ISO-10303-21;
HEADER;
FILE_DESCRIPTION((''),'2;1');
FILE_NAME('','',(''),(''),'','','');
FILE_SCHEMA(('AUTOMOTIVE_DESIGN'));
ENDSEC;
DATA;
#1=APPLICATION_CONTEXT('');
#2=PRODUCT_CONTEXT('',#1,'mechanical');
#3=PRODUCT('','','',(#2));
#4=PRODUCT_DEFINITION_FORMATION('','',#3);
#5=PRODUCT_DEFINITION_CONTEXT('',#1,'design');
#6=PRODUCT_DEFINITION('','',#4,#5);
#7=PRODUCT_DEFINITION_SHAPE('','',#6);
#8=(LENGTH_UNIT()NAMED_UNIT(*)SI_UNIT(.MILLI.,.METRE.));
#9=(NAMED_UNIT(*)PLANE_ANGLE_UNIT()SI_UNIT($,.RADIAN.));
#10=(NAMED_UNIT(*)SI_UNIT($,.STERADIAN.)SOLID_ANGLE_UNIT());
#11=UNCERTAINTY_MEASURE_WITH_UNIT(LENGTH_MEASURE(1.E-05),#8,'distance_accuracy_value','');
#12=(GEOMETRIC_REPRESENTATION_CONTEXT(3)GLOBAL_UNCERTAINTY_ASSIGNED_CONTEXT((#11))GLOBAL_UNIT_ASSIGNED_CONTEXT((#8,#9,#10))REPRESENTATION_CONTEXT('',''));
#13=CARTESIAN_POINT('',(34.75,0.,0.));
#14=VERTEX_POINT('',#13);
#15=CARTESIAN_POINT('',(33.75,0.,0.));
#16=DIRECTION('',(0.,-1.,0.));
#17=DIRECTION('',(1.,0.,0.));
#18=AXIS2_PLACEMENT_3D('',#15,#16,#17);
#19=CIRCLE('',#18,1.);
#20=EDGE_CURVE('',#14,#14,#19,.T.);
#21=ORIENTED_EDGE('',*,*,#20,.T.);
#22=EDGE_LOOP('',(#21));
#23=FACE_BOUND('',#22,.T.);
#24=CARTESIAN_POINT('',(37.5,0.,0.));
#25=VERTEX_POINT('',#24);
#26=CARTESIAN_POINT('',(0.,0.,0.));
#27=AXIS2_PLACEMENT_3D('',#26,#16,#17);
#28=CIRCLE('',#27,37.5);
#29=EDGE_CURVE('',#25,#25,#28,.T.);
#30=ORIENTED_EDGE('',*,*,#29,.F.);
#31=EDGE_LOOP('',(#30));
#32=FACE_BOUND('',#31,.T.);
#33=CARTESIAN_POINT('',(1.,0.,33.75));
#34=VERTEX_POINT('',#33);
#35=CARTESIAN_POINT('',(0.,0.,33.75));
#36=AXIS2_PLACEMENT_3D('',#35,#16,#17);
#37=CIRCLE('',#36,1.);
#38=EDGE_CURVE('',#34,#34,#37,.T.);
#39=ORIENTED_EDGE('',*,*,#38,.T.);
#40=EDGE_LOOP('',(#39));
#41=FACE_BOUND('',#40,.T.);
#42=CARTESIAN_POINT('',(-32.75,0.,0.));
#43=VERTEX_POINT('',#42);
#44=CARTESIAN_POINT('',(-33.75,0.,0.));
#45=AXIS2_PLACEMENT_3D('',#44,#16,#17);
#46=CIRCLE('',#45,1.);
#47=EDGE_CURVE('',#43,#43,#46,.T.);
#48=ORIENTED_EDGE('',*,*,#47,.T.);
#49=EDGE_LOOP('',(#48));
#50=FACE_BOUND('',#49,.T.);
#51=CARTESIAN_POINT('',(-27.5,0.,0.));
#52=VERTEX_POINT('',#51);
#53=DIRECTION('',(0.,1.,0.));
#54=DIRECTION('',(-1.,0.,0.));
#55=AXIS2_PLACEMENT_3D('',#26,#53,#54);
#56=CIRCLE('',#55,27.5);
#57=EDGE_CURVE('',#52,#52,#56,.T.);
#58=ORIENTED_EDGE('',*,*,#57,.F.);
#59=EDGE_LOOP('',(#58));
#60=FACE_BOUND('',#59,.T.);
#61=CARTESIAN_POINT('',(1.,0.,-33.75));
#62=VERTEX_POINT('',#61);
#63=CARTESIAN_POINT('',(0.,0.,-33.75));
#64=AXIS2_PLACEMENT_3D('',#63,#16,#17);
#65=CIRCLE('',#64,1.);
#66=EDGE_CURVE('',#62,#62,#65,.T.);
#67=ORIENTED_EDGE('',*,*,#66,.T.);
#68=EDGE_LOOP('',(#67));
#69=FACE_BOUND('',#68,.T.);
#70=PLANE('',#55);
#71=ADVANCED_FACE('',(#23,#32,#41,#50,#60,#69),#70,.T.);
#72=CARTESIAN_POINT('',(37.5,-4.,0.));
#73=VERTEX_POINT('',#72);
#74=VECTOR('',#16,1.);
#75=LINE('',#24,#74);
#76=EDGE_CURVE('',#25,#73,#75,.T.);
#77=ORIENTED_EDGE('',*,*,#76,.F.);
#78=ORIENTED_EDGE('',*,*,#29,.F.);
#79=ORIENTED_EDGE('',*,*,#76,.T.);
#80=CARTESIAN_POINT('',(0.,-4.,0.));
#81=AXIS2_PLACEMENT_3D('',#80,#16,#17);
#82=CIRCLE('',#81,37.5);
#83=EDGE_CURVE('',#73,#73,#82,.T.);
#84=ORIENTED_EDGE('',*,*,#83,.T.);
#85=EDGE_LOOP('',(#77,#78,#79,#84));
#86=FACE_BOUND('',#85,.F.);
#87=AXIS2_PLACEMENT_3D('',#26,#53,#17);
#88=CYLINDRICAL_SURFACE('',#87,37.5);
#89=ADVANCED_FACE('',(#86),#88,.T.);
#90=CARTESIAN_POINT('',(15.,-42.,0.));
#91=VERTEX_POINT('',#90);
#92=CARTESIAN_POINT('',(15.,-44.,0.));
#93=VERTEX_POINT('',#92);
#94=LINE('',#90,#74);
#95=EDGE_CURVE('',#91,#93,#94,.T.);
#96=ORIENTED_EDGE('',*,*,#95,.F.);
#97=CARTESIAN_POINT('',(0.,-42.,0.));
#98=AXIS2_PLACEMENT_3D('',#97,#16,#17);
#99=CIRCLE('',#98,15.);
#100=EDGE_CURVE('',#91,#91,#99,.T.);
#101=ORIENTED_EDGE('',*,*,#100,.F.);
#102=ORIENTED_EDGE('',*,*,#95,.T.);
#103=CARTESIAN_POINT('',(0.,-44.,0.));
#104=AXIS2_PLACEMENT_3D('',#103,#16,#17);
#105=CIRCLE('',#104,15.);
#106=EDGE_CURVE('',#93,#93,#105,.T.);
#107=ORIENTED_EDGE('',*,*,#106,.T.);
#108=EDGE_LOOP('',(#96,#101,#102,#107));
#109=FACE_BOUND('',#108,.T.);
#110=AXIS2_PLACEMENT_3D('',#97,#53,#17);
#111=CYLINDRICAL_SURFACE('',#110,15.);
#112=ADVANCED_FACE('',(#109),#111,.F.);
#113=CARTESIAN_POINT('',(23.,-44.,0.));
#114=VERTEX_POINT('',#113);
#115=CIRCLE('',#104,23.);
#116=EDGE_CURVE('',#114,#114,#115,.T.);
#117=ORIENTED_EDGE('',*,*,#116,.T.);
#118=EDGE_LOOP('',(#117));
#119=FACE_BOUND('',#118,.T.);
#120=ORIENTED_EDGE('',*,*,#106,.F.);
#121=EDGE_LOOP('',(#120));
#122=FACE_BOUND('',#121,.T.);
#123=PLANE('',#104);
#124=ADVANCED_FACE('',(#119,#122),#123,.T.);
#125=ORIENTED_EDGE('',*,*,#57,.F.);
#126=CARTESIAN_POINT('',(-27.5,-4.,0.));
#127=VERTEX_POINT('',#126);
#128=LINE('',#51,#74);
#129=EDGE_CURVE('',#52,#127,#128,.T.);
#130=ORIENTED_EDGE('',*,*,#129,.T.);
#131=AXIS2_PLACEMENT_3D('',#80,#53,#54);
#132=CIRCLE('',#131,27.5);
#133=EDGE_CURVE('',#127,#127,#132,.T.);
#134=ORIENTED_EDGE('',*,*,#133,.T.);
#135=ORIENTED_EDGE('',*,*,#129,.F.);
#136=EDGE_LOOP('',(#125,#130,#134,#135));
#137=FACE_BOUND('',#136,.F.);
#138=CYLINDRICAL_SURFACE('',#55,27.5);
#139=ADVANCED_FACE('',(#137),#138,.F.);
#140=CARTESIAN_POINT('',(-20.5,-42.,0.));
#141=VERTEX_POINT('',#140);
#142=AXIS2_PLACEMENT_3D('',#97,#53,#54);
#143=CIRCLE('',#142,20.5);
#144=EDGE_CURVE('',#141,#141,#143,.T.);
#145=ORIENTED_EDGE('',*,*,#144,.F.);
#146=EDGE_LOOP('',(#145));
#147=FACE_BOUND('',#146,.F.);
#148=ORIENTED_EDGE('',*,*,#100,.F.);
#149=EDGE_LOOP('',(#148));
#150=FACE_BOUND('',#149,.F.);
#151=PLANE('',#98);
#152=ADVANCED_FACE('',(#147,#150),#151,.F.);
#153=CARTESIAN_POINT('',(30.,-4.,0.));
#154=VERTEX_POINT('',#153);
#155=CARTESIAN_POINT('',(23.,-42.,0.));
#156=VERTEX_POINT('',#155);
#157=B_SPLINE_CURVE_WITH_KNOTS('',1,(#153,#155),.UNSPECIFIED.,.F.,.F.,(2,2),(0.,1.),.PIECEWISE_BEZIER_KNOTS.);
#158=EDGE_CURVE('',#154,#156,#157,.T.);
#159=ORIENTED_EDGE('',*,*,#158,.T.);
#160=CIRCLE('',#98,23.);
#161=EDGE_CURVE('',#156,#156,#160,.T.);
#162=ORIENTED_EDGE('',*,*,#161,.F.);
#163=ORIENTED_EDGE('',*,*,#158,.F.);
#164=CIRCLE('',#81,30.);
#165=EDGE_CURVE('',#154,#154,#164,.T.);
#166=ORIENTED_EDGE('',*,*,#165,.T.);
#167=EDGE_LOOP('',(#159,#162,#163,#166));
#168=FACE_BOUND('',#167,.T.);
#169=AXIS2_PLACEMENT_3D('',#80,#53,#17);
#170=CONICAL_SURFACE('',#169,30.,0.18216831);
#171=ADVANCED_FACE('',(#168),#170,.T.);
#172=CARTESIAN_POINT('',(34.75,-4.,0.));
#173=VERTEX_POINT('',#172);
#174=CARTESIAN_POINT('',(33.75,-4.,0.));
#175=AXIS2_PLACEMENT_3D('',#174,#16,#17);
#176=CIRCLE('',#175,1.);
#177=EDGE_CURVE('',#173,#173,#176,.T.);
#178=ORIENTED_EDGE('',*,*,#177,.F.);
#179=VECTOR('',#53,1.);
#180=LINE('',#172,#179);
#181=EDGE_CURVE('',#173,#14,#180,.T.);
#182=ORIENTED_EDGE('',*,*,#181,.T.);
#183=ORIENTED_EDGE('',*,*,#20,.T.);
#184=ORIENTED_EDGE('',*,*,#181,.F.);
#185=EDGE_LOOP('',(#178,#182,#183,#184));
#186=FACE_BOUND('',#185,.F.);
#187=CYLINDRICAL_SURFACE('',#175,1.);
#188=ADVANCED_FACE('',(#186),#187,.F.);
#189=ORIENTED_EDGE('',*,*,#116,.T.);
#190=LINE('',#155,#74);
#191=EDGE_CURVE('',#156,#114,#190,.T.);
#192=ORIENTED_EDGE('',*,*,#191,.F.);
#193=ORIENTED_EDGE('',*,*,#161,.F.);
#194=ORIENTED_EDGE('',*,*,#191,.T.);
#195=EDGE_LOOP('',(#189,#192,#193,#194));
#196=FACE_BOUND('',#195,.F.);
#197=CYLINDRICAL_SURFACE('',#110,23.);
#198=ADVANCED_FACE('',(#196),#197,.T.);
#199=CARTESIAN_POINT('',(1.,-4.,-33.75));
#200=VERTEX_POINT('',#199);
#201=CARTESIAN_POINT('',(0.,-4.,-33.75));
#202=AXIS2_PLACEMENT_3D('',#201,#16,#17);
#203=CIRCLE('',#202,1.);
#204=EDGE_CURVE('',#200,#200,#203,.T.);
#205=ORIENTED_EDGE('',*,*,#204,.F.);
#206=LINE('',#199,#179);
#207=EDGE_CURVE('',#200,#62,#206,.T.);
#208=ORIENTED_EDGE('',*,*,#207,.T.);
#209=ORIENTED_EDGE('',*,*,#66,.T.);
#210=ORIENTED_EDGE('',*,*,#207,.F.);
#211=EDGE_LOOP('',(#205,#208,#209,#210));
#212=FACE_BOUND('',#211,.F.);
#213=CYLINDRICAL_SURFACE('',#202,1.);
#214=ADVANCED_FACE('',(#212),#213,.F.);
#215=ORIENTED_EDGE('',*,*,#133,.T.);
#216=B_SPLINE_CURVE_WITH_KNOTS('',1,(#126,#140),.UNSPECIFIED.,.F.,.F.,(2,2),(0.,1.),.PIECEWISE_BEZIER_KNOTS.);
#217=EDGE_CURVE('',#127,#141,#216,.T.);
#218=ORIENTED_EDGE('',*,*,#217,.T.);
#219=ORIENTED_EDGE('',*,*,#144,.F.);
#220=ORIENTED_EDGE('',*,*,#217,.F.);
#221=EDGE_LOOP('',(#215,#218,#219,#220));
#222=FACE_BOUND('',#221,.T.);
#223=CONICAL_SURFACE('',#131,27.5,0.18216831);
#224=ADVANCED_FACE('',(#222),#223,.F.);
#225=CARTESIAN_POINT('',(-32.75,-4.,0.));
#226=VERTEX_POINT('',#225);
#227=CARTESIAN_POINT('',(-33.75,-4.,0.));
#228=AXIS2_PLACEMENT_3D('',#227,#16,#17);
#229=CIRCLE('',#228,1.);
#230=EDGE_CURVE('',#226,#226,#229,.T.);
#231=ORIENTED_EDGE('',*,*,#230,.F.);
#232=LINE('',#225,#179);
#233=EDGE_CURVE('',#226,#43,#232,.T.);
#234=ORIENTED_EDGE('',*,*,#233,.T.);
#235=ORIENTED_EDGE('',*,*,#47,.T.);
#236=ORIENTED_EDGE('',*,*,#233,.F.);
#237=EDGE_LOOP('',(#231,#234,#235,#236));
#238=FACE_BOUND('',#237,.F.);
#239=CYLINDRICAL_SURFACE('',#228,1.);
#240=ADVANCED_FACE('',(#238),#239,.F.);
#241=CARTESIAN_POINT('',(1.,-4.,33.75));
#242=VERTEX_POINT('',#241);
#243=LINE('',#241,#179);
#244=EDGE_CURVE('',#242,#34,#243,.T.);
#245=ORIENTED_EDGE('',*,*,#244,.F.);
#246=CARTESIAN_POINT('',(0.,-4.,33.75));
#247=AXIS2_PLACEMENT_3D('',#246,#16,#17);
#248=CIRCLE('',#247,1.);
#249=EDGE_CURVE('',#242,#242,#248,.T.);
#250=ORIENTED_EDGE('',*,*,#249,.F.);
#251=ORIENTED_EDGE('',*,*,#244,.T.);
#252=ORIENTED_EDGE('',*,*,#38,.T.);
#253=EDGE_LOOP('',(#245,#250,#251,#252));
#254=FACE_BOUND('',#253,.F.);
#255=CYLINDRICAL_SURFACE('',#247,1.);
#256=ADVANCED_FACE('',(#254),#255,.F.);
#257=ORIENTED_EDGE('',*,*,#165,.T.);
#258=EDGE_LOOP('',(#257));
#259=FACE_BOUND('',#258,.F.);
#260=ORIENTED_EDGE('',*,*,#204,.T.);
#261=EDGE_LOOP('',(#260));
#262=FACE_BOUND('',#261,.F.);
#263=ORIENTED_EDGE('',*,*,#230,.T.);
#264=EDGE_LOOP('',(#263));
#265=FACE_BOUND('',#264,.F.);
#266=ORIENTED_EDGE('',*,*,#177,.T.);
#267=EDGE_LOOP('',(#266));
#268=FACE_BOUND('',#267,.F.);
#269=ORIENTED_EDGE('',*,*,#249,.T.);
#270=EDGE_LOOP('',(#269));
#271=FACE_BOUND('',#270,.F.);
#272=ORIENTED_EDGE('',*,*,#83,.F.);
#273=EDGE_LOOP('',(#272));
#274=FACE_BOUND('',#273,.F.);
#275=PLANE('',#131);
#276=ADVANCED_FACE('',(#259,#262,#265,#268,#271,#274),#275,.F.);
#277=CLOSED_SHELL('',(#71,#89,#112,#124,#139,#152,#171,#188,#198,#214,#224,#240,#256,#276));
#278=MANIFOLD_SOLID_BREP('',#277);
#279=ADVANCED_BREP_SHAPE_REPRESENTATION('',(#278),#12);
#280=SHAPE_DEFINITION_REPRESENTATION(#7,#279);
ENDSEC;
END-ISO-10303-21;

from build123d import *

# Parameters (mm, degrees)
F0_R      = 37.5
F0_R_2    = 30
F1_DEPTH  = 4
F2_R      = 1
F3_DEPTH  = 25
F4_R      = 30
F4_R_2    = 27.5
F5_DEPTH  = 4
F6_R      = 30
F8_R      = 23
F11_R     = 27.5
F10_R     = 20.5
F13_R     = 23
F13_R_2   = 15
F14_DEPTH = 2


with BuildPart() as f1:
    # F0 (on Front) → F1 (new body)
    with BuildSketch(Plane.XZ):
        Circle(F0_R)
        Circle(F0_R_2, mode=Mode.SUBTRACT)
    extrude(amount=F1_DEPTH)

    # F2 (on face) → F3 (cut)
    with BuildSketch(Plane.XZ.offset(4)):
        with Locations((0, 33.75)):
            Circle(F2_R)
        with Locations((-33.75, 0)):
            Circle(F2_R)
        with Locations((33.75, 0)):
            Circle(F2_R)
        with Locations((0, -33.75)):
            Circle(F2_R)
    extrude(amount=-F3_DEPTH, mode=Mode.SUBTRACT)

    # F4 (on face) → F5 (join)
    with BuildSketch(Plane(origin=(0, 0, 0), x_dir=(-1, 0, 0), z_dir=(0, 1, 0))):
        Circle(F4_R)
        Circle(F4_R_2, mode=Mode.SUBTRACT)
    extrude(amount=-F5_DEPTH)

    # F6 (on face) → F9 section 0
    with BuildSketch(Plane.XZ.offset(4)):
        Circle(F6_R)
    # F8 (on offset) → F9 section 1
    with BuildSketch(Plane.XZ.offset(42)):
        Circle(F8_R)
    loft()

    # F11 (on face) → F12 section 0
    with BuildSketch(Plane(origin=(0, -4, 0), x_dir=(-1, 0, 0), z_dir=(0, 1, 0))):
        Circle(F11_R)
    # F10 (on face) → F12 section 1
    with BuildSketch(Plane.XZ.offset(42)):
        Circle(F10_R)
    loft(mode=Mode.SUBTRACT)

    # F13 (on face) → F14 (join)
    with BuildSketch(Plane.XZ.offset(42)):
        Circle(F13_R)
        Circle(F13_R_2, mode=Mode.SUBTRACT)
    extrude(amount=F14_DEPTH)


solid = f1.part
